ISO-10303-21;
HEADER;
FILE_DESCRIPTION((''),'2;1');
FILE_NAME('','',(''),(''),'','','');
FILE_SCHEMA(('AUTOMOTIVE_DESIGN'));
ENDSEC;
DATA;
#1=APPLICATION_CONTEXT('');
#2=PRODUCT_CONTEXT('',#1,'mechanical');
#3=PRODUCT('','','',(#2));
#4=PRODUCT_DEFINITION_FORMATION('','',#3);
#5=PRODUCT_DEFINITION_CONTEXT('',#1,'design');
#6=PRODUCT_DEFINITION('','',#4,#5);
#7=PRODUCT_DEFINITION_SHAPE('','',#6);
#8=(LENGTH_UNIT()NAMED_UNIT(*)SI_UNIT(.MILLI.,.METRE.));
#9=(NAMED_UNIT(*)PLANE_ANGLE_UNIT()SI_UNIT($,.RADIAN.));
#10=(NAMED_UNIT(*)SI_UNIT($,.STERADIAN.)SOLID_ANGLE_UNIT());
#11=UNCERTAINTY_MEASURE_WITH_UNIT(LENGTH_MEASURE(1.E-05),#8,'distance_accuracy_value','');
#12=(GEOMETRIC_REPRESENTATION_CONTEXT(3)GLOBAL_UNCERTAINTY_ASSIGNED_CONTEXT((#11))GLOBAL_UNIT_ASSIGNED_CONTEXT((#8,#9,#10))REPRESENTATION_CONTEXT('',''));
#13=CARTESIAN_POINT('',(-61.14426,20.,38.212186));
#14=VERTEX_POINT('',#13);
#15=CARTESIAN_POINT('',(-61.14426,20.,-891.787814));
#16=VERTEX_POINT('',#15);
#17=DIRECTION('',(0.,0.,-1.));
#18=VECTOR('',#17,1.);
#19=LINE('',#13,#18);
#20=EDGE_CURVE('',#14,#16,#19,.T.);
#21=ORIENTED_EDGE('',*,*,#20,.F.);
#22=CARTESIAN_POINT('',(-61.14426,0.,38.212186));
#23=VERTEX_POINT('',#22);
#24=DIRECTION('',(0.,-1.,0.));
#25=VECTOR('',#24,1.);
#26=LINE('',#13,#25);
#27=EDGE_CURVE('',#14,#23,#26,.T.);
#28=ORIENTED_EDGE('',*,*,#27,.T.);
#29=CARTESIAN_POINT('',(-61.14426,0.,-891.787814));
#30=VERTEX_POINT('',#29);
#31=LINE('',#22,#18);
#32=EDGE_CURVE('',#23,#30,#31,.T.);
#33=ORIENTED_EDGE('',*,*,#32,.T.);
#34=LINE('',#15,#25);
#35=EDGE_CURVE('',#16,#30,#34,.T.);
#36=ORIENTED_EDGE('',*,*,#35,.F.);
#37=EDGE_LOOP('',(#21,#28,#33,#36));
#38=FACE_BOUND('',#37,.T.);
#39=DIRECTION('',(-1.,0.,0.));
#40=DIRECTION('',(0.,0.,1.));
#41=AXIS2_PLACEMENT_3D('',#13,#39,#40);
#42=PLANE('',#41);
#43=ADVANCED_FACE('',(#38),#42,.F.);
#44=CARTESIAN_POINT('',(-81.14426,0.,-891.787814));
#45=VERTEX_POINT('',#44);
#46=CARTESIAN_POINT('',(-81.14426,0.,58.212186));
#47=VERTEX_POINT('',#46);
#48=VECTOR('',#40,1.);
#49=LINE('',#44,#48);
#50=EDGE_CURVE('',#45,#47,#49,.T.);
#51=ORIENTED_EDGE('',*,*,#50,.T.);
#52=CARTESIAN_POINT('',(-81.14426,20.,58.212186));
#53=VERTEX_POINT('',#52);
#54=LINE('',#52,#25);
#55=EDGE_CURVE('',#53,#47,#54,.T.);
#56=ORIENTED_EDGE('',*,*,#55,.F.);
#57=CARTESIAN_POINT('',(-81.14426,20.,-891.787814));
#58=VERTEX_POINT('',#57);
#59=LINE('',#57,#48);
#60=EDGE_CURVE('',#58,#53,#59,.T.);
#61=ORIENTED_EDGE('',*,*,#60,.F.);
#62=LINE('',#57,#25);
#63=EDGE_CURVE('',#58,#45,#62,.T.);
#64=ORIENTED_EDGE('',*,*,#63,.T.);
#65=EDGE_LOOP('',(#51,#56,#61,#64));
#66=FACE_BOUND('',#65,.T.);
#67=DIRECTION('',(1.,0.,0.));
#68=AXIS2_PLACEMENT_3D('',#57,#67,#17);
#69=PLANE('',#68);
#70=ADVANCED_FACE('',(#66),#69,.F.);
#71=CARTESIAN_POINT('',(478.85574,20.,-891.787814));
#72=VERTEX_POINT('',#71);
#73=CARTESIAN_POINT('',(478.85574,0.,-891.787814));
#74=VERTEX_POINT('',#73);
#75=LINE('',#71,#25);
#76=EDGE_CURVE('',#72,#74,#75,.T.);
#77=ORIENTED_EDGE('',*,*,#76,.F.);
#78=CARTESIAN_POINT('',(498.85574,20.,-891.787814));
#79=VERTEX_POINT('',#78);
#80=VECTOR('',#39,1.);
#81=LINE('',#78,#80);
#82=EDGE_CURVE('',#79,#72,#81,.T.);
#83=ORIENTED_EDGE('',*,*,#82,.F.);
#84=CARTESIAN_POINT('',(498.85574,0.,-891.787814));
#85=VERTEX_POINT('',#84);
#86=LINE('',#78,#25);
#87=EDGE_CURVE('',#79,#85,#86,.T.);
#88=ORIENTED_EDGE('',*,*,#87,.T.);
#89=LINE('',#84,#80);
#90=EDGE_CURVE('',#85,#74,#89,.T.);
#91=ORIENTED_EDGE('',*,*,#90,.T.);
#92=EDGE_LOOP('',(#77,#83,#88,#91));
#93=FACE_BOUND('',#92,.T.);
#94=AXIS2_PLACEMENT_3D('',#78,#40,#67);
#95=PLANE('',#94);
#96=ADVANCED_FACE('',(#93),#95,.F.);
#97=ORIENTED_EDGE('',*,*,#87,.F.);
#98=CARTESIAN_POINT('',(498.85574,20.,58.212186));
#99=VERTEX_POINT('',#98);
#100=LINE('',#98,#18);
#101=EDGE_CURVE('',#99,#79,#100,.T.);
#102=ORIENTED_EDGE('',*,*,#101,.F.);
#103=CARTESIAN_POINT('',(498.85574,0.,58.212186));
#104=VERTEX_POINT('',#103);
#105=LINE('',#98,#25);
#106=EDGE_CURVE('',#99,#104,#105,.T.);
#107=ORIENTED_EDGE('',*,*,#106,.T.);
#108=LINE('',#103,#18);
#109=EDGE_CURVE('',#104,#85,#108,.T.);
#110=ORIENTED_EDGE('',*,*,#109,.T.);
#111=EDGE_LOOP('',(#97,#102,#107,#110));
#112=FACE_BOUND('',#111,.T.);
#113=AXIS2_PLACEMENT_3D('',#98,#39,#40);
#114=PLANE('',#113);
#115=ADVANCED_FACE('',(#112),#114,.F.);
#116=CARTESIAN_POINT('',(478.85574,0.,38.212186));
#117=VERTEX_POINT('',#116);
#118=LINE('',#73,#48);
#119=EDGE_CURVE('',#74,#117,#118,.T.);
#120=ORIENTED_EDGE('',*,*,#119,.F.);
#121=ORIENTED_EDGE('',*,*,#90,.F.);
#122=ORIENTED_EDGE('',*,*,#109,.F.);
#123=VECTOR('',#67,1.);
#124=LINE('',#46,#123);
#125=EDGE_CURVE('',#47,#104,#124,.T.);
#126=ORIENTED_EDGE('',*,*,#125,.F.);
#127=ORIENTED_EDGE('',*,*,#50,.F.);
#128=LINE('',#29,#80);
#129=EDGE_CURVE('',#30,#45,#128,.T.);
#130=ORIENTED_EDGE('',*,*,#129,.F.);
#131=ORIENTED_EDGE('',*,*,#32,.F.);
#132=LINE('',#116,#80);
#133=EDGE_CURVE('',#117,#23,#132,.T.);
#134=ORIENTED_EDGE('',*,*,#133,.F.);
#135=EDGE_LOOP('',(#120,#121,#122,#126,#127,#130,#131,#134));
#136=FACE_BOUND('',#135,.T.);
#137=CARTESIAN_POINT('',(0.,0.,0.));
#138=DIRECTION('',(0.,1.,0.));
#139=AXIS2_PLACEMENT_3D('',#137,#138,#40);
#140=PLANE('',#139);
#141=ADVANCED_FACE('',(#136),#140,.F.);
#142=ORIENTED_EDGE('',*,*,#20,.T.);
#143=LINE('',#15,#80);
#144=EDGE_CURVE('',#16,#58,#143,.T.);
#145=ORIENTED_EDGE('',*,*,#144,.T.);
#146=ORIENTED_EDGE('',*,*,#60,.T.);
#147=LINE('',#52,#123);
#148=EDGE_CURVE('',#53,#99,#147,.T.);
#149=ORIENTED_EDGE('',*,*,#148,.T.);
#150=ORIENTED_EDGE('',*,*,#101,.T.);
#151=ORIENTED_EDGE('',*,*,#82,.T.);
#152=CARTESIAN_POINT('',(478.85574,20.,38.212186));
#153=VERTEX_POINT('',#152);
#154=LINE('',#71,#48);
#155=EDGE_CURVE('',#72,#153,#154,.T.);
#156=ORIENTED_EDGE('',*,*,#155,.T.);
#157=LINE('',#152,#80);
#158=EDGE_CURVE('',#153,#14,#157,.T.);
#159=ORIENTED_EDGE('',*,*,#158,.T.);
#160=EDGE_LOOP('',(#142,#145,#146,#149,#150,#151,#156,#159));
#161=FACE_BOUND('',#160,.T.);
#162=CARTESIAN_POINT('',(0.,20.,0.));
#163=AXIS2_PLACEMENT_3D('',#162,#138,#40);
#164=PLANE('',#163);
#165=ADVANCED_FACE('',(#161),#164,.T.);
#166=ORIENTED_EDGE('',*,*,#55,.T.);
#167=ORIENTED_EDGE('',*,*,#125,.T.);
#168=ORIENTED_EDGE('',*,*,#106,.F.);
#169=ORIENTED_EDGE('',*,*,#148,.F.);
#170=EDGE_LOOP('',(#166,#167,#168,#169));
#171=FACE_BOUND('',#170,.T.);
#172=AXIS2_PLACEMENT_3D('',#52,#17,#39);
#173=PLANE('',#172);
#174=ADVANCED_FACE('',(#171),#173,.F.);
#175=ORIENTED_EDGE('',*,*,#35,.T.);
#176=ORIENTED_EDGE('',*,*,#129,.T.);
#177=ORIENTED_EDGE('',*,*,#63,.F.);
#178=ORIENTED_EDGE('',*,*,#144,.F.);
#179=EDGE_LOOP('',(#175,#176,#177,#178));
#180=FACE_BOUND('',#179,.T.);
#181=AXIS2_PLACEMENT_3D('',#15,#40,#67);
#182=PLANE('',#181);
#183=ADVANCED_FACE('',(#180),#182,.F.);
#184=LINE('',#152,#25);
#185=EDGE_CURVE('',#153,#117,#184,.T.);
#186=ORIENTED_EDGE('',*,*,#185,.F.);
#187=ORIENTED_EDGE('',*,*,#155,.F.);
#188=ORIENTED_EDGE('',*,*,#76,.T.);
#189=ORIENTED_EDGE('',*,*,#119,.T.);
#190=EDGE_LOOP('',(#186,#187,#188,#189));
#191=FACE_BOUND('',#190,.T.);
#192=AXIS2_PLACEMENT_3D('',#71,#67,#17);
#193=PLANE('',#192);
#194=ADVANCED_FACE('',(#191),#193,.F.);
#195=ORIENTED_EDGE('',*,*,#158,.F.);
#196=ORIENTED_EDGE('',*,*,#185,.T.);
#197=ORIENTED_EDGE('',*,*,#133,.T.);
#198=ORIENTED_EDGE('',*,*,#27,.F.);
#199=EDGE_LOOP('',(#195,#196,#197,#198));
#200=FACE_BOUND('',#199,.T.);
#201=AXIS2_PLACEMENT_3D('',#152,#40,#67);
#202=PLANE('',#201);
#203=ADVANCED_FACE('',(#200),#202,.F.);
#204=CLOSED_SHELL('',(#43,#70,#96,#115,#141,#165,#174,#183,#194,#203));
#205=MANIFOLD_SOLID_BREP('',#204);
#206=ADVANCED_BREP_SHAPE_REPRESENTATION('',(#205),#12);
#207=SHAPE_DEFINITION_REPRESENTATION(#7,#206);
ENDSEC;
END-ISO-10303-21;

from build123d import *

# Parameters (mm, degrees)
BOSS_EXTRUDE1_DEPTH = 20


with BuildPart() as part:
    # Sketch1 → Boss-Extrude1 (new body)
    with BuildSketch(Plane(origin=(0, 0, 0), x_dir=(1, 0, 0), z_dir=(0, 1, 0))):
        Polygon((-81.144259733, 891.78781367), (-81.144259733, -58.21218633), (498.855740267, -58.21218633), (498.855740267, 891.78781367), (478.855740267, 891.78781367), (478.855740267, -38.21218633), (-61.144259733, -38.21218633), (-61.144259733, 891.78781367), align=None)
    extrude(amount=BOSS_EXTRUDE1_DEPTH)


solid = part.part
